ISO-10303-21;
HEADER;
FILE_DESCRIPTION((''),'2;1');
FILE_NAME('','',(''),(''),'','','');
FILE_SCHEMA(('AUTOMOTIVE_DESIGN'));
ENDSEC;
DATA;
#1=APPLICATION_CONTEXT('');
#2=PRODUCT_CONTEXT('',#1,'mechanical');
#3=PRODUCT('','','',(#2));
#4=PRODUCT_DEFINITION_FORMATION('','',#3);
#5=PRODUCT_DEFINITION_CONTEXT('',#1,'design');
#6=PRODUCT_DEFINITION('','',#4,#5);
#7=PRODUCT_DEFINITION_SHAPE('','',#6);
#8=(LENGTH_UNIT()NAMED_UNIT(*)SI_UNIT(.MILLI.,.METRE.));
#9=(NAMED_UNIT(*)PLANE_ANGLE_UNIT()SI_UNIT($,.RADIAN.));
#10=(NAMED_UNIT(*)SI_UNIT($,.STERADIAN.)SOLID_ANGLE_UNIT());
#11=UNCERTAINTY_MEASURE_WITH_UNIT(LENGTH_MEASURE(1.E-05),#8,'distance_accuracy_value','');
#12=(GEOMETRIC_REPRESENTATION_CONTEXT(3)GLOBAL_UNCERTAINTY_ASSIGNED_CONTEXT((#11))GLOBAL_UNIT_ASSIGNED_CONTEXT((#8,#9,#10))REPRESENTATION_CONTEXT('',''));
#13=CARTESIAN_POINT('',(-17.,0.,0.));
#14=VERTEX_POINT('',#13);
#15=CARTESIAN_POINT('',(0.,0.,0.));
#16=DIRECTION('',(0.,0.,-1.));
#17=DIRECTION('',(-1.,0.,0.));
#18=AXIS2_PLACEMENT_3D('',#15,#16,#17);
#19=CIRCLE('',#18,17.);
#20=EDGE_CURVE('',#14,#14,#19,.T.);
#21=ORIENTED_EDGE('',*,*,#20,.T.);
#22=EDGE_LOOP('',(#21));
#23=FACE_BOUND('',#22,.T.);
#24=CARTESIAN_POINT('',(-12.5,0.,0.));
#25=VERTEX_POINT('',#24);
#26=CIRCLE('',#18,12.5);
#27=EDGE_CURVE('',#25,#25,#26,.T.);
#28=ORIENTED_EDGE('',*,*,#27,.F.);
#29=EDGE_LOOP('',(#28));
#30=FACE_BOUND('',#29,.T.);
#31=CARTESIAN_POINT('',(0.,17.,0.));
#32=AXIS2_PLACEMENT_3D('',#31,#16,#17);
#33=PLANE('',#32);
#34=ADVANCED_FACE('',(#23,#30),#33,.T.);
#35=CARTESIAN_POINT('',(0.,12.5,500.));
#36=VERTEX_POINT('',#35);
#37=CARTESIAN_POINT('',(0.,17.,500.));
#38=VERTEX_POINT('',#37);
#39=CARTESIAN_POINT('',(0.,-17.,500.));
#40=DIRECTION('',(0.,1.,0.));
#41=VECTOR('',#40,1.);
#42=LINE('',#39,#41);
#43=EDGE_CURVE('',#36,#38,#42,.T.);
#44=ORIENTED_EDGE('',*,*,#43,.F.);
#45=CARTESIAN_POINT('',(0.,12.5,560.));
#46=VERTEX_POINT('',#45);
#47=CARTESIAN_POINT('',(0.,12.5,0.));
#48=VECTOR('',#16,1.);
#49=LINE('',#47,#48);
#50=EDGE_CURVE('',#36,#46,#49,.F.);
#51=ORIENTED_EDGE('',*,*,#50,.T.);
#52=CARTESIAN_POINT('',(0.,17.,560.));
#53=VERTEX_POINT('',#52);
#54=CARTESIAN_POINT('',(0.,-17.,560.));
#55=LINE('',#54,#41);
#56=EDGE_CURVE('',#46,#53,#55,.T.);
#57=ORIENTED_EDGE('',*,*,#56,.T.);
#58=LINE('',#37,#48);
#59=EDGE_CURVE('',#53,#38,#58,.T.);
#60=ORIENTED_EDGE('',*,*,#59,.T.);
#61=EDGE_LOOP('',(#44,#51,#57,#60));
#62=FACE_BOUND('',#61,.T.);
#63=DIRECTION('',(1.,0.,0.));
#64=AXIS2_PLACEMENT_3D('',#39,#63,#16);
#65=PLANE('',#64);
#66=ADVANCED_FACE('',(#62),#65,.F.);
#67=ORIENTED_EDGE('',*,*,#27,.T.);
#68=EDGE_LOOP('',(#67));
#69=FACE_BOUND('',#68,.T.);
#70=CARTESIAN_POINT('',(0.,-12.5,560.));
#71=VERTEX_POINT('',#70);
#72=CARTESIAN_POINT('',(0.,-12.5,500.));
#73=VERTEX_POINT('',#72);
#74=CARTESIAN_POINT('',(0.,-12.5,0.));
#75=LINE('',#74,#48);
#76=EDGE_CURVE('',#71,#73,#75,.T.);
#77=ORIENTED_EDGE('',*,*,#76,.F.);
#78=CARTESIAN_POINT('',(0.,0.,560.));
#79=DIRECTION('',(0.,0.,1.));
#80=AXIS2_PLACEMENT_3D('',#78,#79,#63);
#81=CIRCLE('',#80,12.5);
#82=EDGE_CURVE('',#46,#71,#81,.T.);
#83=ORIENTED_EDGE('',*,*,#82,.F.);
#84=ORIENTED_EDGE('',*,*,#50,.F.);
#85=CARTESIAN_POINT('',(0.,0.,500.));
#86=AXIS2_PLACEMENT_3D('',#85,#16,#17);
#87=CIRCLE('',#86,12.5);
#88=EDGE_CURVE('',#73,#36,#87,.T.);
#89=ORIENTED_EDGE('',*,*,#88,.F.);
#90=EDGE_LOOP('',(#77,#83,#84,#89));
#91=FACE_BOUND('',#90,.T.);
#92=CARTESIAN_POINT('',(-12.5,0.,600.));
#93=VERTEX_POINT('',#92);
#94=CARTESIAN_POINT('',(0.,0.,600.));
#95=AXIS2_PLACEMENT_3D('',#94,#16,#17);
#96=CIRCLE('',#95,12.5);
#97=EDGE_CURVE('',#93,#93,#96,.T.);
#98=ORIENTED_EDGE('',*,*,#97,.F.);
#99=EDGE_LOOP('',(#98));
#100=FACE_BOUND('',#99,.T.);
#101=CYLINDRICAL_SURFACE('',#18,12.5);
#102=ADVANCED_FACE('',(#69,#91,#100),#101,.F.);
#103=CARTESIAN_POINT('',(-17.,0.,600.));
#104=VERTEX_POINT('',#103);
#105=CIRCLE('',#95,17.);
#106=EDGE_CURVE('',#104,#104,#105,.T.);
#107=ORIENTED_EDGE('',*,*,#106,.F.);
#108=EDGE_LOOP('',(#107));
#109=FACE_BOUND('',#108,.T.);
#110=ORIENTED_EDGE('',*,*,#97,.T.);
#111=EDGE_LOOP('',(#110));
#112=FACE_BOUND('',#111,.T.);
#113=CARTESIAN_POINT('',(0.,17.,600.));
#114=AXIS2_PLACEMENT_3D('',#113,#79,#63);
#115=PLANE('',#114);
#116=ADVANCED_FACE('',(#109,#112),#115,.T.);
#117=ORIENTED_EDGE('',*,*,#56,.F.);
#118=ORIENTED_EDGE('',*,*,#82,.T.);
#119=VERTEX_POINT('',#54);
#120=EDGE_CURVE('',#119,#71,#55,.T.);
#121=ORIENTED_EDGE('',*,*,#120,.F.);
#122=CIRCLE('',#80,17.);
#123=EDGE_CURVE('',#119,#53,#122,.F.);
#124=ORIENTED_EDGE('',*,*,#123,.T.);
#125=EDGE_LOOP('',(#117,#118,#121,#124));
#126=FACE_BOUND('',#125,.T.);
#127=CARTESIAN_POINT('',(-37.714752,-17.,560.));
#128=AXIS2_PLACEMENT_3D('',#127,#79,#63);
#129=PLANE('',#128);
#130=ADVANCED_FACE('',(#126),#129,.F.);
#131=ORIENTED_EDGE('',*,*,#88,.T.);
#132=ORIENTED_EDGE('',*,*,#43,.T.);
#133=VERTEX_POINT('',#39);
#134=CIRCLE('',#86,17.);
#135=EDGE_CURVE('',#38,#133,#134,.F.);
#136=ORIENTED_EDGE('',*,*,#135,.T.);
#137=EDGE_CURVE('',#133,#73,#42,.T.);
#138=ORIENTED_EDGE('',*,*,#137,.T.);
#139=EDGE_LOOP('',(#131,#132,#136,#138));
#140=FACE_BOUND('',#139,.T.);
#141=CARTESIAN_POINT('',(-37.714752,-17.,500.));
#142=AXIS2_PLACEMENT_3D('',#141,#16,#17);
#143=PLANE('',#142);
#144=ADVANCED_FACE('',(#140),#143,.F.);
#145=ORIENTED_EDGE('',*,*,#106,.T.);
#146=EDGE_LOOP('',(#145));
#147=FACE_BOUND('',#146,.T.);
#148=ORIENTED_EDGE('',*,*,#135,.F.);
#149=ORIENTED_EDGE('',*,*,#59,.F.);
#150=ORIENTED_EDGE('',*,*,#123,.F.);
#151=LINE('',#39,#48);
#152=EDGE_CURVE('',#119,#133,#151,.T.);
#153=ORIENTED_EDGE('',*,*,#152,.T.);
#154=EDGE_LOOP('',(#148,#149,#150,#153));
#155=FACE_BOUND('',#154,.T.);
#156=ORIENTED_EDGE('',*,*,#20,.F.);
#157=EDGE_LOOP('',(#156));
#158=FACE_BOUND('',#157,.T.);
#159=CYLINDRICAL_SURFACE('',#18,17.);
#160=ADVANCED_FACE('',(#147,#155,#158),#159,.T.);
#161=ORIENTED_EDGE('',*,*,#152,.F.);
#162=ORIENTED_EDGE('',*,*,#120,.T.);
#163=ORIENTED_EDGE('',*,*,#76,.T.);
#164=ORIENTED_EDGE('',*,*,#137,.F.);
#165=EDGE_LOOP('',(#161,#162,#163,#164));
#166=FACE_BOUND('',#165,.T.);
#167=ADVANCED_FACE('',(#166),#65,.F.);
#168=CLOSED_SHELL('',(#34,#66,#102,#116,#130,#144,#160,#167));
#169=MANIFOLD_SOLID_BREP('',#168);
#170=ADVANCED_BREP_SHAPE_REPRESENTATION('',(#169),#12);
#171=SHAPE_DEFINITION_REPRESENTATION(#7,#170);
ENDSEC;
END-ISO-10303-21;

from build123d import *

# Parameters (mm, degrees)
SKETCH1_W               = 600
SKETCH1_H               = 4.5
CUT_EXTRUDE1_DEPTH      = 601.481473486
CUT_EXTRUDE1_DEPTH_BACK = 601.481473486
SKETCH2_W               = 37.714751534
SKETCH2_H               = 60


with BuildPart() as part:
    # Sketch1 → Revolve1 (revolve)
    with BuildSketch(Plane(origin=(0, 0, 0), x_dir=(0, 0, -1), z_dir=(1, 0, 0)), mode=Mode.PRIVATE) as revolve1_sk:
        with Locations((-300, 14.75)):
            Rectangle(SKETCH1_W, SKETCH1_H)
    revolve(revolve1_sk.sketch.rotate(Axis((0, 0, 0), (0, 0, 1)), 90), axis=Axis((0, 0, 0), (0, 0, 1)))

    # Sketch2 → Cut-Extrude1 (cut, two sides: drawn at the far end of the back side and taken through both)
    with BuildSketch(Plane(origin=(0, 0, 0), x_dir=(1, 0, 0), z_dir=(0, 1, 0)).offset(-CUT_EXTRUDE1_DEPTH_BACK)):
        with Locations((-18.857375767, -530)):
            Rectangle(SKETCH2_W, SKETCH2_H)
    extrude(amount=CUT_EXTRUDE1_DEPTH + CUT_EXTRUDE1_DEPTH_BACK, mode=Mode.SUBTRACT)


solid = part.part
